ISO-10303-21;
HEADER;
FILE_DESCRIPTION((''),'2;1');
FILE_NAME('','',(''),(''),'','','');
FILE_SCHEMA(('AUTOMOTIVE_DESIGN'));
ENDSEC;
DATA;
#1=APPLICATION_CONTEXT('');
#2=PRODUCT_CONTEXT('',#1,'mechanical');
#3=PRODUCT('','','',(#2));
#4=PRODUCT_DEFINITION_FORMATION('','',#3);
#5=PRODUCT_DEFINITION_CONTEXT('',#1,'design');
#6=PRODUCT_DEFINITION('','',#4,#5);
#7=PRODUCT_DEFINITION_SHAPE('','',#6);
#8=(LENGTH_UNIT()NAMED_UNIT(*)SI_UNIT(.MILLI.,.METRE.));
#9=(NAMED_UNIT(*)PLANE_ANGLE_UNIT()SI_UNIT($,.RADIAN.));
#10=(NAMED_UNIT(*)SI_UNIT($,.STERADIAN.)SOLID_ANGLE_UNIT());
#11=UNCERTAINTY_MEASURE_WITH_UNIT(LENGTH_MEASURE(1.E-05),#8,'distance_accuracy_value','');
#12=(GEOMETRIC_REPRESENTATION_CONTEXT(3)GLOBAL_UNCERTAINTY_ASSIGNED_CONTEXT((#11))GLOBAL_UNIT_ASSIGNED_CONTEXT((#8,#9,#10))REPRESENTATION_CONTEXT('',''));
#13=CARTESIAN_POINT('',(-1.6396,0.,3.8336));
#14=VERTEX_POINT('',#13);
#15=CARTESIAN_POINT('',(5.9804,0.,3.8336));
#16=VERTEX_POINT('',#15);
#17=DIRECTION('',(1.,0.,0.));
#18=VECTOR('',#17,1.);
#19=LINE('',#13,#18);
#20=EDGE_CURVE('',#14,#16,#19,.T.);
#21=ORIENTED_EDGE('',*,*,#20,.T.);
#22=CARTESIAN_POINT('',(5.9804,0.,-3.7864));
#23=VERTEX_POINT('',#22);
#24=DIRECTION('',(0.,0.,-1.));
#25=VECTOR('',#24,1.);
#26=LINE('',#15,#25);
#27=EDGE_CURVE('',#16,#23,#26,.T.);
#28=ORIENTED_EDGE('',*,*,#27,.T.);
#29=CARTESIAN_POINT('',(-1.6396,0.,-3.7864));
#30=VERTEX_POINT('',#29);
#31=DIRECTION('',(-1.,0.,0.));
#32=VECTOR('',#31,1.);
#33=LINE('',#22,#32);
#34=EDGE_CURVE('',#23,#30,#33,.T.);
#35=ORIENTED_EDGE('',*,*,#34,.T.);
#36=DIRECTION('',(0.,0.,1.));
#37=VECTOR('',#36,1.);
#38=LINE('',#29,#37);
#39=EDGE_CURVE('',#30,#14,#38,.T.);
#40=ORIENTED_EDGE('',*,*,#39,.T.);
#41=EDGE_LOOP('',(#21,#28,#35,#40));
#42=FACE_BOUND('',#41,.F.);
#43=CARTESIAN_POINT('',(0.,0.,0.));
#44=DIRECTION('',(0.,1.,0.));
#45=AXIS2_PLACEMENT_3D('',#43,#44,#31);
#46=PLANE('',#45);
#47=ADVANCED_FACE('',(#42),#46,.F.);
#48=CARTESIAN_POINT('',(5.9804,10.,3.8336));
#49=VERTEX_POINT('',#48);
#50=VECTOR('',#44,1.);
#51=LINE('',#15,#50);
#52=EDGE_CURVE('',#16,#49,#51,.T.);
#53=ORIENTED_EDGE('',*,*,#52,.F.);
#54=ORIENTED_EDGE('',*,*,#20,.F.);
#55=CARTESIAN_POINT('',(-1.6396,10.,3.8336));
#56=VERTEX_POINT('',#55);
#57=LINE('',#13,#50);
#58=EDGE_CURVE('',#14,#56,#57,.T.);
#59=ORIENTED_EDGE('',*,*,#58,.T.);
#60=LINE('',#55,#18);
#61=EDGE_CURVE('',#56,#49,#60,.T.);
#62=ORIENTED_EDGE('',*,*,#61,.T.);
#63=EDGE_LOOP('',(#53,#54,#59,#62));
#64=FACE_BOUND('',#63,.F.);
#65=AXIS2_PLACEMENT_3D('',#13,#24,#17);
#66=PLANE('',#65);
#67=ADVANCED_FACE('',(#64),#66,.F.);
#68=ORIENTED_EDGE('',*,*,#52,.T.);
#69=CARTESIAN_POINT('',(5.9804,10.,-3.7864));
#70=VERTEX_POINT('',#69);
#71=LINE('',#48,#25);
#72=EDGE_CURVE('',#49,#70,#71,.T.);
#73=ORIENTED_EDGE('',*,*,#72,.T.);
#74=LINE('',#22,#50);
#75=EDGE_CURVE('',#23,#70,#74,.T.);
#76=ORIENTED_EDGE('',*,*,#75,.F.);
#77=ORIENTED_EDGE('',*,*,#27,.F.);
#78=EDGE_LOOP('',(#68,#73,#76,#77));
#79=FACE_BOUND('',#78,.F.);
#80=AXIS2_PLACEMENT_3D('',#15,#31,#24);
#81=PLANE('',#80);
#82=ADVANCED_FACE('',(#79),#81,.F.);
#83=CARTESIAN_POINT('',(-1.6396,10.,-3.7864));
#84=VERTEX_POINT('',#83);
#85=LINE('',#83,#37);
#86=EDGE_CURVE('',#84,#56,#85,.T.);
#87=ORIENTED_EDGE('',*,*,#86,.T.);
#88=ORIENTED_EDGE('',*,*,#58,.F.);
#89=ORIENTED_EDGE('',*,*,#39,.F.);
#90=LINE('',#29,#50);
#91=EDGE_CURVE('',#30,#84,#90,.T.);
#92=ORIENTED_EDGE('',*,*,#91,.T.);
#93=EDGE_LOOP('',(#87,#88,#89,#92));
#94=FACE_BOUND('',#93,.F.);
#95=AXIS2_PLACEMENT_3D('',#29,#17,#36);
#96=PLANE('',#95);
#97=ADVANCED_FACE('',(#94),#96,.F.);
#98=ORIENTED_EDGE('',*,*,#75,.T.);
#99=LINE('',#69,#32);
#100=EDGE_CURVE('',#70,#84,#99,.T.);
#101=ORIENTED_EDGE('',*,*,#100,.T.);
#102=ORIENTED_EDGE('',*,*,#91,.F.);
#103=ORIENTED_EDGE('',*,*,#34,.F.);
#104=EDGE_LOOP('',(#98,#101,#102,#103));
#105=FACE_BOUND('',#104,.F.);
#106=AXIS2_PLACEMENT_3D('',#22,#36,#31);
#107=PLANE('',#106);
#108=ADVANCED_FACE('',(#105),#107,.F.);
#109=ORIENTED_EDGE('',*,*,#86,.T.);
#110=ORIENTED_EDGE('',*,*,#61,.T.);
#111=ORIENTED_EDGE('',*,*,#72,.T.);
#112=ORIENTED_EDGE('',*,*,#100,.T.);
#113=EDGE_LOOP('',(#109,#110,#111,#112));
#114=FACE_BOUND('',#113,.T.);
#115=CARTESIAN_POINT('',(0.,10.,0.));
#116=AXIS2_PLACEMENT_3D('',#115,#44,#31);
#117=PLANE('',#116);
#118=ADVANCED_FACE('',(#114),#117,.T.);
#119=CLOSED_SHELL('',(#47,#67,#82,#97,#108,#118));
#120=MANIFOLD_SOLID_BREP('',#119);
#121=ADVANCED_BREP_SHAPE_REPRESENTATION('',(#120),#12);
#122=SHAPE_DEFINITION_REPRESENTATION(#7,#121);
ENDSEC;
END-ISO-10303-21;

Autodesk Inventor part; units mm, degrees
ref_plane "YZ Plane" through (0, 0, 0) normal (1, 0, 0) x (0, 1, 0)
ref_plane "XZ Plane" through (0, 0, 0) normal (0, 1, 0) x (-1, 0, 0)
ref_plane "XY Plane" through (0, 0, 0) normal (0, 0, 1) x (1, 0, 0)
sketch "Sketch1" plane through (0, 0, 0) normal (0, 1, 0) x (-1, 0, 0)
  line L0 (1.6396, 3.8336) -> (-5.9804, 3.8336)
  line L1 (-5.9804, 3.8336) -> (-5.9804, -3.7864)
  line L2 (-5.9804, -3.7864) -> (1.6396, -3.7864)
  line L3 (1.6396, -3.7864) -> (1.6396, 3.8336)
  point P0 (0, 0)
  dimension "d0" = 7.62
  dimension "d1" = 7.62
extrude "Extrusion1" add sketch "Sketch1" along normal blind 10
properties part number "CouplerBlock"
